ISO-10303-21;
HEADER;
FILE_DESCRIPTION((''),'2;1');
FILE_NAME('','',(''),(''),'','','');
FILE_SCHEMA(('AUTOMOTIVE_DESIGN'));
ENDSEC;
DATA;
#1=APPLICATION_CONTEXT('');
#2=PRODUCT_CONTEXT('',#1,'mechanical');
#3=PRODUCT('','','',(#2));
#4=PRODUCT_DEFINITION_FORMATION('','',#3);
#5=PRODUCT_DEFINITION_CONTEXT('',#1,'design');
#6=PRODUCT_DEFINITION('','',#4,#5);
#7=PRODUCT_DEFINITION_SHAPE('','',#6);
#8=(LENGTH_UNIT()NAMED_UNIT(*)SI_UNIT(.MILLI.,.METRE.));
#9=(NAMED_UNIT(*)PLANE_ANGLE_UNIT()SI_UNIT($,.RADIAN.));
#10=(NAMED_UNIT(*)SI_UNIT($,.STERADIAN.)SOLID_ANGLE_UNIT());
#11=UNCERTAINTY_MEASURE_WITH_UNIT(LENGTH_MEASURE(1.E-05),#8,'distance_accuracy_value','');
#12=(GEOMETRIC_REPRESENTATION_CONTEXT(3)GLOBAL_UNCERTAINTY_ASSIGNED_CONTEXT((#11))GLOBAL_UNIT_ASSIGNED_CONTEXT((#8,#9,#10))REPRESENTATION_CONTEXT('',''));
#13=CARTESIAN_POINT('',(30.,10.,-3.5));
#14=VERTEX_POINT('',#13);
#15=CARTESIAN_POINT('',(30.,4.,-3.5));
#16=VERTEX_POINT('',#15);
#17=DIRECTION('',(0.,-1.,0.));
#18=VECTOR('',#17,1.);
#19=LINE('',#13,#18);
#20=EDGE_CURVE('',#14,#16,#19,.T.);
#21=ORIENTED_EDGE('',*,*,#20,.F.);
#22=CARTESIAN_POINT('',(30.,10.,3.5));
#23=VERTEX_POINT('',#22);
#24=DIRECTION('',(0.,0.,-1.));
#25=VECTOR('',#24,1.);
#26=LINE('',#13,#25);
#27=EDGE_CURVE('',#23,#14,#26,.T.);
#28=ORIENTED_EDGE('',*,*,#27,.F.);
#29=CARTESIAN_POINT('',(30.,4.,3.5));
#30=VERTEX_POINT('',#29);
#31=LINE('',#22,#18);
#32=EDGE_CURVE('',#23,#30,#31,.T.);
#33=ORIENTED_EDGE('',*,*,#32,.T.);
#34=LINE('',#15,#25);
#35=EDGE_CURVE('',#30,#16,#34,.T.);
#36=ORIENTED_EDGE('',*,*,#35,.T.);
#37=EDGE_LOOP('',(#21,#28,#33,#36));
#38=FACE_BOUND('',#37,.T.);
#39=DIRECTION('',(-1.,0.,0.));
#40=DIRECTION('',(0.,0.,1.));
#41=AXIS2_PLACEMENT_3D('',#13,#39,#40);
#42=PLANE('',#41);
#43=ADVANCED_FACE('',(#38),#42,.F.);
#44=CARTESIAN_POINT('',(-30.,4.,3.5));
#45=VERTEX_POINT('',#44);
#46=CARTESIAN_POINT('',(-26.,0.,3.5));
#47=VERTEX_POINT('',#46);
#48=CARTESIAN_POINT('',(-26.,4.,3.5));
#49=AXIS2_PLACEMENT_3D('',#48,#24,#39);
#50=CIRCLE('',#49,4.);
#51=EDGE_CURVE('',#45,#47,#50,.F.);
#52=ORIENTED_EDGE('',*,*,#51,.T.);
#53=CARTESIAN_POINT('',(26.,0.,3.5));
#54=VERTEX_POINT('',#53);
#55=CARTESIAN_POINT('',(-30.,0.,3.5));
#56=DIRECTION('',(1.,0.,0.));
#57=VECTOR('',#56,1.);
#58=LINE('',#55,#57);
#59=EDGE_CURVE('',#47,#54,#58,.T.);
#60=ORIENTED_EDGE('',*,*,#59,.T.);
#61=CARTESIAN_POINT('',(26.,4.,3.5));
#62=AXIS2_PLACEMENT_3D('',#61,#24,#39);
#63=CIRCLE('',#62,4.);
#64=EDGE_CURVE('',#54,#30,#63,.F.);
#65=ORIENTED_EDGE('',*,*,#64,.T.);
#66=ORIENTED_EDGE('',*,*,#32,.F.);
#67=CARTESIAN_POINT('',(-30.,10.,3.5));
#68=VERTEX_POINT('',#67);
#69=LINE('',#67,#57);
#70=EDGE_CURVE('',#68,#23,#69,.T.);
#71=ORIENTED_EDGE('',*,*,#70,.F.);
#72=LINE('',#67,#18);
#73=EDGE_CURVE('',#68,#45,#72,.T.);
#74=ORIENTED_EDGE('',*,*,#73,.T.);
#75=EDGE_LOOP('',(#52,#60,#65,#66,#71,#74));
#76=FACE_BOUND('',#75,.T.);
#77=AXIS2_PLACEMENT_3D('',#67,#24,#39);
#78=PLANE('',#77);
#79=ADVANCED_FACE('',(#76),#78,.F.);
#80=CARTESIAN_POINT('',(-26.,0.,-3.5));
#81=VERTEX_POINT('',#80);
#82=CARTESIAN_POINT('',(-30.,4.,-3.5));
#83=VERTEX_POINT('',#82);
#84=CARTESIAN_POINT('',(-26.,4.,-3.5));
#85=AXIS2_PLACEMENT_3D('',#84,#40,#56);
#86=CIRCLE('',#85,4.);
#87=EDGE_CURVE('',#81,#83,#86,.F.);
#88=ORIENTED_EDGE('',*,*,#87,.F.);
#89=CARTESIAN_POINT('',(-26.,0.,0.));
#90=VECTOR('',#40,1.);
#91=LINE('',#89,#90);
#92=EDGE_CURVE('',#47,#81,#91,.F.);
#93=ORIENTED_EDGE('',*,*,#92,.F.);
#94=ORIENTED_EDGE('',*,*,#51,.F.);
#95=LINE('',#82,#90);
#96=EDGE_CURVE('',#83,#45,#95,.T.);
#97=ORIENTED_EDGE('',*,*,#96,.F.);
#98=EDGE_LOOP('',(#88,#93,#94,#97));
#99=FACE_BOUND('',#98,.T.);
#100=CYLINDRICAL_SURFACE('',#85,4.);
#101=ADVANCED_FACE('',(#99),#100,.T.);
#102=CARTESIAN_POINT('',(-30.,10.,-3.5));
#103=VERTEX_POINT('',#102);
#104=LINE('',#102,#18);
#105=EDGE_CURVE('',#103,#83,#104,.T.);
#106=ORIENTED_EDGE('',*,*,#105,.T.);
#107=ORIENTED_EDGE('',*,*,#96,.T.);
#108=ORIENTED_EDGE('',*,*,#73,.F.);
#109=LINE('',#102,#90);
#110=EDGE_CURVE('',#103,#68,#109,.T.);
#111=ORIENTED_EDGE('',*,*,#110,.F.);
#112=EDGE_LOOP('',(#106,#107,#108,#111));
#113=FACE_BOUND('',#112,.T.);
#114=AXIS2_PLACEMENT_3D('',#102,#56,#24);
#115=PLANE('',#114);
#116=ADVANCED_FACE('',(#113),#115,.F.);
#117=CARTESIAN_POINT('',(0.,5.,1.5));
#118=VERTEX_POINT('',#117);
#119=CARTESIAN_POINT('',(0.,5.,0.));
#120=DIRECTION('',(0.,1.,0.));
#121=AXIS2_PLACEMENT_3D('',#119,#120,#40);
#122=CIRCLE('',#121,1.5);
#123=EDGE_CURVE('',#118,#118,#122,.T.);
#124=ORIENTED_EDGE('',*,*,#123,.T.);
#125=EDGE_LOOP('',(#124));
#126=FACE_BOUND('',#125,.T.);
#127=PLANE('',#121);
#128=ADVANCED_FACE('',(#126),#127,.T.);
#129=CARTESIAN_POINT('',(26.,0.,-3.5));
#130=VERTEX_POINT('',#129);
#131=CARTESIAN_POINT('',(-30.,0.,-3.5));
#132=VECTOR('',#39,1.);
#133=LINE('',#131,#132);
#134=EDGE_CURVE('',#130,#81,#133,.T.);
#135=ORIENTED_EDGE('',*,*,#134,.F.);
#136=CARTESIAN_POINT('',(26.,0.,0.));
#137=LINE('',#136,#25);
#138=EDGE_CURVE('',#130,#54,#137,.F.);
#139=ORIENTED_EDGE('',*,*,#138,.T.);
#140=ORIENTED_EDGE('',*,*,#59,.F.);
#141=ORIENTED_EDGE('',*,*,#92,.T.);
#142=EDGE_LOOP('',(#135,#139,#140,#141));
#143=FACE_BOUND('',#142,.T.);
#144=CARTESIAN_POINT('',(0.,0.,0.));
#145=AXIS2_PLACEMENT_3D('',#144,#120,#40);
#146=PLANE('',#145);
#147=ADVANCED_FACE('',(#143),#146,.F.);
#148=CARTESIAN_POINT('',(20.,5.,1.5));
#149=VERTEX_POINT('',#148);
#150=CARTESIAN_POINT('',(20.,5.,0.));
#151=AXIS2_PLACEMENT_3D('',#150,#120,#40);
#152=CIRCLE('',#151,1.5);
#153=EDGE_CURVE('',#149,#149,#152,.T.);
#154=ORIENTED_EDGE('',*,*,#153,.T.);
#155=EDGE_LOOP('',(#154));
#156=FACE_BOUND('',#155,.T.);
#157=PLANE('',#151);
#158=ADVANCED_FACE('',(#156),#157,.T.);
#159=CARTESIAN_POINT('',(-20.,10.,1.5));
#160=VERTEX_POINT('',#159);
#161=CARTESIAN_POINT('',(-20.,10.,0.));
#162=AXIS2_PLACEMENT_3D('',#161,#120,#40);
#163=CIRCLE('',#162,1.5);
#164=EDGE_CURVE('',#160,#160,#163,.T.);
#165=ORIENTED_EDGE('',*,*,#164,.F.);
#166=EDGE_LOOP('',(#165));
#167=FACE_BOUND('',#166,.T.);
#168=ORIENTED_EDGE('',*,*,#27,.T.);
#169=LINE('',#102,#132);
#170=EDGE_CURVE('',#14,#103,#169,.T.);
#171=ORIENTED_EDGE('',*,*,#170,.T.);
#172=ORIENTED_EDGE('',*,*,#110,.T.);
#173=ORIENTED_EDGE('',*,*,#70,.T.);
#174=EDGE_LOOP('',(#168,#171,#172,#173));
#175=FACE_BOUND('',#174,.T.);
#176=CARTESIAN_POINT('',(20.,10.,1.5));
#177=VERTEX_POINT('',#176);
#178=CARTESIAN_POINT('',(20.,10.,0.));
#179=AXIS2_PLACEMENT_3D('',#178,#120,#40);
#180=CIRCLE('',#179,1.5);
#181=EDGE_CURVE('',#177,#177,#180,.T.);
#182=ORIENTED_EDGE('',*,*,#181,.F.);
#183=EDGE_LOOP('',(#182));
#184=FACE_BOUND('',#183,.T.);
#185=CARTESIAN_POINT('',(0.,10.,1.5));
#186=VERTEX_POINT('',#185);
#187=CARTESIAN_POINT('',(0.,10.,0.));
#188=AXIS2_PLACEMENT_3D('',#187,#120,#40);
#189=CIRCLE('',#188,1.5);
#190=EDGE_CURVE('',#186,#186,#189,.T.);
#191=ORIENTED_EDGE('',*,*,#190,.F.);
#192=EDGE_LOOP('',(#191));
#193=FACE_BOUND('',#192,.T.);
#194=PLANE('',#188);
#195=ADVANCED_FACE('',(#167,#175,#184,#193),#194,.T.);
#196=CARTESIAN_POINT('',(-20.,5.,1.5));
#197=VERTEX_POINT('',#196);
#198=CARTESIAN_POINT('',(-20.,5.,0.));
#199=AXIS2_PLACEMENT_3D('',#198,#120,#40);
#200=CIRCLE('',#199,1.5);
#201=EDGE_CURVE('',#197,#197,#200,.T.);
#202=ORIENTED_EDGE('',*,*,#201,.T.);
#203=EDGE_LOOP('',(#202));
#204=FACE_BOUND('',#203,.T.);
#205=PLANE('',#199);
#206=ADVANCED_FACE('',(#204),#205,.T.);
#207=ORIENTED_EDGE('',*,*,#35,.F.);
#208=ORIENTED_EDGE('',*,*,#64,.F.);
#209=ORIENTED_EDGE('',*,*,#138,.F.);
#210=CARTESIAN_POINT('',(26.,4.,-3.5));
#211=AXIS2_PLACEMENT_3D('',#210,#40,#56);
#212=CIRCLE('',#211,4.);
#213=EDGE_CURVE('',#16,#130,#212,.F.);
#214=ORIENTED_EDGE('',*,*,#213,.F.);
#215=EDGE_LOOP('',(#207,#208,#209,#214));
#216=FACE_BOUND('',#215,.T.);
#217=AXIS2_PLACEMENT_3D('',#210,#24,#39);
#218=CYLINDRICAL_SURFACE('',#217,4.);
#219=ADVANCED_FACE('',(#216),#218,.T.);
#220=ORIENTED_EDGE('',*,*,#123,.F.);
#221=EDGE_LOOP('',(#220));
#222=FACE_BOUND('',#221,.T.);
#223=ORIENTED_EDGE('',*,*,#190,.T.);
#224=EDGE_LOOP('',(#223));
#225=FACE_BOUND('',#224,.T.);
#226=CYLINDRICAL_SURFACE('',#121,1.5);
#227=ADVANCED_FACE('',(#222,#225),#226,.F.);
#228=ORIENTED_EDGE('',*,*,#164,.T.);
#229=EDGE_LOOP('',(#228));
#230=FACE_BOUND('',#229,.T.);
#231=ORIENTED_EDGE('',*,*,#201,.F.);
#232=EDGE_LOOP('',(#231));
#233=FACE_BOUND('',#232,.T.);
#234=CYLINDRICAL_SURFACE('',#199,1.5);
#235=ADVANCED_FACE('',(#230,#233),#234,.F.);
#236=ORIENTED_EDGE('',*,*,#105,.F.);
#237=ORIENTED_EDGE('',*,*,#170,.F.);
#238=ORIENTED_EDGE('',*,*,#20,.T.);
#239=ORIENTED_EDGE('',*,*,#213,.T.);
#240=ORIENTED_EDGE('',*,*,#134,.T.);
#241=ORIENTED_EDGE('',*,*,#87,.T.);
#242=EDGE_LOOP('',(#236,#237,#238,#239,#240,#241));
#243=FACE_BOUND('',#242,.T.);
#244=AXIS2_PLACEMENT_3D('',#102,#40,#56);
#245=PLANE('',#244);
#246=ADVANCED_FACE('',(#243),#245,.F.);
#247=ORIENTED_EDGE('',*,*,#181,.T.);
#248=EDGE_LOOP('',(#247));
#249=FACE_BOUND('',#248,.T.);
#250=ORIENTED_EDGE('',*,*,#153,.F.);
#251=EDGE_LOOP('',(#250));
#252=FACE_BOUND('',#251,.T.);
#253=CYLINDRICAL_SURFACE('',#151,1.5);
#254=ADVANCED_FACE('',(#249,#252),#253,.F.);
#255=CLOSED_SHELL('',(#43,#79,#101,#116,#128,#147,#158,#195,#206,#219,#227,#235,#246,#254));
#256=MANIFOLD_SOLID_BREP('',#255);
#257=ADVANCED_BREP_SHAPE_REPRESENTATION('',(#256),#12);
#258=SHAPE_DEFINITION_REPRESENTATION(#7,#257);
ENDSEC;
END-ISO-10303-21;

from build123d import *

# Parameters (mm, degrees)
SKETCH1_W           = 60
SKETCH1_H           = 7
BOSS_EXTRUDE1_DEPTH = 10
SKETCH2_R           = 1.5
CUT_EXTRUDE1_DEPTH  = 5
FILLET1_R           = 4


with BuildPart() as part:
    # Sketch1 → Boss-Extrude1 (new body)
    with BuildSketch(Plane(origin=(0, 0, 0), x_dir=(1, 0, 0), z_dir=(0, 1, 0))):
        Rectangle(SKETCH1_W, SKETCH1_H)
    extrude(amount=BOSS_EXTRUDE1_DEPTH)

    # Sketch2 → Cut-Extrude1 (cut)
    with BuildSketch(Plane(origin=(0, 10, 0), x_dir=(1, 0, 0), z_dir=(0, 1, 0))):
        with Locations(Location((0, 0, 0), (0, 0, 270))):
            Circle(SKETCH2_R)
        with Locations(Location((20, 0, 0), (0, 0, 270))):
            Circle(SKETCH2_R)
        with Locations(Location((-20, 0, 0), (0, 0, 270))):
            Circle(SKETCH2_R)
    extrude(amount=-CUT_EXTRUDE1_DEPTH, mode=Mode.SUBTRACT)

    # Fillet1
    fillet1_edges = [part.edges().sort_by_distance(p)[0] for p in [
        (-30, 0, 0),
        (30, 0, 0),
    ]]
    fillet(fillet1_edges, radius=FILLET1_R)


solid = part.part
